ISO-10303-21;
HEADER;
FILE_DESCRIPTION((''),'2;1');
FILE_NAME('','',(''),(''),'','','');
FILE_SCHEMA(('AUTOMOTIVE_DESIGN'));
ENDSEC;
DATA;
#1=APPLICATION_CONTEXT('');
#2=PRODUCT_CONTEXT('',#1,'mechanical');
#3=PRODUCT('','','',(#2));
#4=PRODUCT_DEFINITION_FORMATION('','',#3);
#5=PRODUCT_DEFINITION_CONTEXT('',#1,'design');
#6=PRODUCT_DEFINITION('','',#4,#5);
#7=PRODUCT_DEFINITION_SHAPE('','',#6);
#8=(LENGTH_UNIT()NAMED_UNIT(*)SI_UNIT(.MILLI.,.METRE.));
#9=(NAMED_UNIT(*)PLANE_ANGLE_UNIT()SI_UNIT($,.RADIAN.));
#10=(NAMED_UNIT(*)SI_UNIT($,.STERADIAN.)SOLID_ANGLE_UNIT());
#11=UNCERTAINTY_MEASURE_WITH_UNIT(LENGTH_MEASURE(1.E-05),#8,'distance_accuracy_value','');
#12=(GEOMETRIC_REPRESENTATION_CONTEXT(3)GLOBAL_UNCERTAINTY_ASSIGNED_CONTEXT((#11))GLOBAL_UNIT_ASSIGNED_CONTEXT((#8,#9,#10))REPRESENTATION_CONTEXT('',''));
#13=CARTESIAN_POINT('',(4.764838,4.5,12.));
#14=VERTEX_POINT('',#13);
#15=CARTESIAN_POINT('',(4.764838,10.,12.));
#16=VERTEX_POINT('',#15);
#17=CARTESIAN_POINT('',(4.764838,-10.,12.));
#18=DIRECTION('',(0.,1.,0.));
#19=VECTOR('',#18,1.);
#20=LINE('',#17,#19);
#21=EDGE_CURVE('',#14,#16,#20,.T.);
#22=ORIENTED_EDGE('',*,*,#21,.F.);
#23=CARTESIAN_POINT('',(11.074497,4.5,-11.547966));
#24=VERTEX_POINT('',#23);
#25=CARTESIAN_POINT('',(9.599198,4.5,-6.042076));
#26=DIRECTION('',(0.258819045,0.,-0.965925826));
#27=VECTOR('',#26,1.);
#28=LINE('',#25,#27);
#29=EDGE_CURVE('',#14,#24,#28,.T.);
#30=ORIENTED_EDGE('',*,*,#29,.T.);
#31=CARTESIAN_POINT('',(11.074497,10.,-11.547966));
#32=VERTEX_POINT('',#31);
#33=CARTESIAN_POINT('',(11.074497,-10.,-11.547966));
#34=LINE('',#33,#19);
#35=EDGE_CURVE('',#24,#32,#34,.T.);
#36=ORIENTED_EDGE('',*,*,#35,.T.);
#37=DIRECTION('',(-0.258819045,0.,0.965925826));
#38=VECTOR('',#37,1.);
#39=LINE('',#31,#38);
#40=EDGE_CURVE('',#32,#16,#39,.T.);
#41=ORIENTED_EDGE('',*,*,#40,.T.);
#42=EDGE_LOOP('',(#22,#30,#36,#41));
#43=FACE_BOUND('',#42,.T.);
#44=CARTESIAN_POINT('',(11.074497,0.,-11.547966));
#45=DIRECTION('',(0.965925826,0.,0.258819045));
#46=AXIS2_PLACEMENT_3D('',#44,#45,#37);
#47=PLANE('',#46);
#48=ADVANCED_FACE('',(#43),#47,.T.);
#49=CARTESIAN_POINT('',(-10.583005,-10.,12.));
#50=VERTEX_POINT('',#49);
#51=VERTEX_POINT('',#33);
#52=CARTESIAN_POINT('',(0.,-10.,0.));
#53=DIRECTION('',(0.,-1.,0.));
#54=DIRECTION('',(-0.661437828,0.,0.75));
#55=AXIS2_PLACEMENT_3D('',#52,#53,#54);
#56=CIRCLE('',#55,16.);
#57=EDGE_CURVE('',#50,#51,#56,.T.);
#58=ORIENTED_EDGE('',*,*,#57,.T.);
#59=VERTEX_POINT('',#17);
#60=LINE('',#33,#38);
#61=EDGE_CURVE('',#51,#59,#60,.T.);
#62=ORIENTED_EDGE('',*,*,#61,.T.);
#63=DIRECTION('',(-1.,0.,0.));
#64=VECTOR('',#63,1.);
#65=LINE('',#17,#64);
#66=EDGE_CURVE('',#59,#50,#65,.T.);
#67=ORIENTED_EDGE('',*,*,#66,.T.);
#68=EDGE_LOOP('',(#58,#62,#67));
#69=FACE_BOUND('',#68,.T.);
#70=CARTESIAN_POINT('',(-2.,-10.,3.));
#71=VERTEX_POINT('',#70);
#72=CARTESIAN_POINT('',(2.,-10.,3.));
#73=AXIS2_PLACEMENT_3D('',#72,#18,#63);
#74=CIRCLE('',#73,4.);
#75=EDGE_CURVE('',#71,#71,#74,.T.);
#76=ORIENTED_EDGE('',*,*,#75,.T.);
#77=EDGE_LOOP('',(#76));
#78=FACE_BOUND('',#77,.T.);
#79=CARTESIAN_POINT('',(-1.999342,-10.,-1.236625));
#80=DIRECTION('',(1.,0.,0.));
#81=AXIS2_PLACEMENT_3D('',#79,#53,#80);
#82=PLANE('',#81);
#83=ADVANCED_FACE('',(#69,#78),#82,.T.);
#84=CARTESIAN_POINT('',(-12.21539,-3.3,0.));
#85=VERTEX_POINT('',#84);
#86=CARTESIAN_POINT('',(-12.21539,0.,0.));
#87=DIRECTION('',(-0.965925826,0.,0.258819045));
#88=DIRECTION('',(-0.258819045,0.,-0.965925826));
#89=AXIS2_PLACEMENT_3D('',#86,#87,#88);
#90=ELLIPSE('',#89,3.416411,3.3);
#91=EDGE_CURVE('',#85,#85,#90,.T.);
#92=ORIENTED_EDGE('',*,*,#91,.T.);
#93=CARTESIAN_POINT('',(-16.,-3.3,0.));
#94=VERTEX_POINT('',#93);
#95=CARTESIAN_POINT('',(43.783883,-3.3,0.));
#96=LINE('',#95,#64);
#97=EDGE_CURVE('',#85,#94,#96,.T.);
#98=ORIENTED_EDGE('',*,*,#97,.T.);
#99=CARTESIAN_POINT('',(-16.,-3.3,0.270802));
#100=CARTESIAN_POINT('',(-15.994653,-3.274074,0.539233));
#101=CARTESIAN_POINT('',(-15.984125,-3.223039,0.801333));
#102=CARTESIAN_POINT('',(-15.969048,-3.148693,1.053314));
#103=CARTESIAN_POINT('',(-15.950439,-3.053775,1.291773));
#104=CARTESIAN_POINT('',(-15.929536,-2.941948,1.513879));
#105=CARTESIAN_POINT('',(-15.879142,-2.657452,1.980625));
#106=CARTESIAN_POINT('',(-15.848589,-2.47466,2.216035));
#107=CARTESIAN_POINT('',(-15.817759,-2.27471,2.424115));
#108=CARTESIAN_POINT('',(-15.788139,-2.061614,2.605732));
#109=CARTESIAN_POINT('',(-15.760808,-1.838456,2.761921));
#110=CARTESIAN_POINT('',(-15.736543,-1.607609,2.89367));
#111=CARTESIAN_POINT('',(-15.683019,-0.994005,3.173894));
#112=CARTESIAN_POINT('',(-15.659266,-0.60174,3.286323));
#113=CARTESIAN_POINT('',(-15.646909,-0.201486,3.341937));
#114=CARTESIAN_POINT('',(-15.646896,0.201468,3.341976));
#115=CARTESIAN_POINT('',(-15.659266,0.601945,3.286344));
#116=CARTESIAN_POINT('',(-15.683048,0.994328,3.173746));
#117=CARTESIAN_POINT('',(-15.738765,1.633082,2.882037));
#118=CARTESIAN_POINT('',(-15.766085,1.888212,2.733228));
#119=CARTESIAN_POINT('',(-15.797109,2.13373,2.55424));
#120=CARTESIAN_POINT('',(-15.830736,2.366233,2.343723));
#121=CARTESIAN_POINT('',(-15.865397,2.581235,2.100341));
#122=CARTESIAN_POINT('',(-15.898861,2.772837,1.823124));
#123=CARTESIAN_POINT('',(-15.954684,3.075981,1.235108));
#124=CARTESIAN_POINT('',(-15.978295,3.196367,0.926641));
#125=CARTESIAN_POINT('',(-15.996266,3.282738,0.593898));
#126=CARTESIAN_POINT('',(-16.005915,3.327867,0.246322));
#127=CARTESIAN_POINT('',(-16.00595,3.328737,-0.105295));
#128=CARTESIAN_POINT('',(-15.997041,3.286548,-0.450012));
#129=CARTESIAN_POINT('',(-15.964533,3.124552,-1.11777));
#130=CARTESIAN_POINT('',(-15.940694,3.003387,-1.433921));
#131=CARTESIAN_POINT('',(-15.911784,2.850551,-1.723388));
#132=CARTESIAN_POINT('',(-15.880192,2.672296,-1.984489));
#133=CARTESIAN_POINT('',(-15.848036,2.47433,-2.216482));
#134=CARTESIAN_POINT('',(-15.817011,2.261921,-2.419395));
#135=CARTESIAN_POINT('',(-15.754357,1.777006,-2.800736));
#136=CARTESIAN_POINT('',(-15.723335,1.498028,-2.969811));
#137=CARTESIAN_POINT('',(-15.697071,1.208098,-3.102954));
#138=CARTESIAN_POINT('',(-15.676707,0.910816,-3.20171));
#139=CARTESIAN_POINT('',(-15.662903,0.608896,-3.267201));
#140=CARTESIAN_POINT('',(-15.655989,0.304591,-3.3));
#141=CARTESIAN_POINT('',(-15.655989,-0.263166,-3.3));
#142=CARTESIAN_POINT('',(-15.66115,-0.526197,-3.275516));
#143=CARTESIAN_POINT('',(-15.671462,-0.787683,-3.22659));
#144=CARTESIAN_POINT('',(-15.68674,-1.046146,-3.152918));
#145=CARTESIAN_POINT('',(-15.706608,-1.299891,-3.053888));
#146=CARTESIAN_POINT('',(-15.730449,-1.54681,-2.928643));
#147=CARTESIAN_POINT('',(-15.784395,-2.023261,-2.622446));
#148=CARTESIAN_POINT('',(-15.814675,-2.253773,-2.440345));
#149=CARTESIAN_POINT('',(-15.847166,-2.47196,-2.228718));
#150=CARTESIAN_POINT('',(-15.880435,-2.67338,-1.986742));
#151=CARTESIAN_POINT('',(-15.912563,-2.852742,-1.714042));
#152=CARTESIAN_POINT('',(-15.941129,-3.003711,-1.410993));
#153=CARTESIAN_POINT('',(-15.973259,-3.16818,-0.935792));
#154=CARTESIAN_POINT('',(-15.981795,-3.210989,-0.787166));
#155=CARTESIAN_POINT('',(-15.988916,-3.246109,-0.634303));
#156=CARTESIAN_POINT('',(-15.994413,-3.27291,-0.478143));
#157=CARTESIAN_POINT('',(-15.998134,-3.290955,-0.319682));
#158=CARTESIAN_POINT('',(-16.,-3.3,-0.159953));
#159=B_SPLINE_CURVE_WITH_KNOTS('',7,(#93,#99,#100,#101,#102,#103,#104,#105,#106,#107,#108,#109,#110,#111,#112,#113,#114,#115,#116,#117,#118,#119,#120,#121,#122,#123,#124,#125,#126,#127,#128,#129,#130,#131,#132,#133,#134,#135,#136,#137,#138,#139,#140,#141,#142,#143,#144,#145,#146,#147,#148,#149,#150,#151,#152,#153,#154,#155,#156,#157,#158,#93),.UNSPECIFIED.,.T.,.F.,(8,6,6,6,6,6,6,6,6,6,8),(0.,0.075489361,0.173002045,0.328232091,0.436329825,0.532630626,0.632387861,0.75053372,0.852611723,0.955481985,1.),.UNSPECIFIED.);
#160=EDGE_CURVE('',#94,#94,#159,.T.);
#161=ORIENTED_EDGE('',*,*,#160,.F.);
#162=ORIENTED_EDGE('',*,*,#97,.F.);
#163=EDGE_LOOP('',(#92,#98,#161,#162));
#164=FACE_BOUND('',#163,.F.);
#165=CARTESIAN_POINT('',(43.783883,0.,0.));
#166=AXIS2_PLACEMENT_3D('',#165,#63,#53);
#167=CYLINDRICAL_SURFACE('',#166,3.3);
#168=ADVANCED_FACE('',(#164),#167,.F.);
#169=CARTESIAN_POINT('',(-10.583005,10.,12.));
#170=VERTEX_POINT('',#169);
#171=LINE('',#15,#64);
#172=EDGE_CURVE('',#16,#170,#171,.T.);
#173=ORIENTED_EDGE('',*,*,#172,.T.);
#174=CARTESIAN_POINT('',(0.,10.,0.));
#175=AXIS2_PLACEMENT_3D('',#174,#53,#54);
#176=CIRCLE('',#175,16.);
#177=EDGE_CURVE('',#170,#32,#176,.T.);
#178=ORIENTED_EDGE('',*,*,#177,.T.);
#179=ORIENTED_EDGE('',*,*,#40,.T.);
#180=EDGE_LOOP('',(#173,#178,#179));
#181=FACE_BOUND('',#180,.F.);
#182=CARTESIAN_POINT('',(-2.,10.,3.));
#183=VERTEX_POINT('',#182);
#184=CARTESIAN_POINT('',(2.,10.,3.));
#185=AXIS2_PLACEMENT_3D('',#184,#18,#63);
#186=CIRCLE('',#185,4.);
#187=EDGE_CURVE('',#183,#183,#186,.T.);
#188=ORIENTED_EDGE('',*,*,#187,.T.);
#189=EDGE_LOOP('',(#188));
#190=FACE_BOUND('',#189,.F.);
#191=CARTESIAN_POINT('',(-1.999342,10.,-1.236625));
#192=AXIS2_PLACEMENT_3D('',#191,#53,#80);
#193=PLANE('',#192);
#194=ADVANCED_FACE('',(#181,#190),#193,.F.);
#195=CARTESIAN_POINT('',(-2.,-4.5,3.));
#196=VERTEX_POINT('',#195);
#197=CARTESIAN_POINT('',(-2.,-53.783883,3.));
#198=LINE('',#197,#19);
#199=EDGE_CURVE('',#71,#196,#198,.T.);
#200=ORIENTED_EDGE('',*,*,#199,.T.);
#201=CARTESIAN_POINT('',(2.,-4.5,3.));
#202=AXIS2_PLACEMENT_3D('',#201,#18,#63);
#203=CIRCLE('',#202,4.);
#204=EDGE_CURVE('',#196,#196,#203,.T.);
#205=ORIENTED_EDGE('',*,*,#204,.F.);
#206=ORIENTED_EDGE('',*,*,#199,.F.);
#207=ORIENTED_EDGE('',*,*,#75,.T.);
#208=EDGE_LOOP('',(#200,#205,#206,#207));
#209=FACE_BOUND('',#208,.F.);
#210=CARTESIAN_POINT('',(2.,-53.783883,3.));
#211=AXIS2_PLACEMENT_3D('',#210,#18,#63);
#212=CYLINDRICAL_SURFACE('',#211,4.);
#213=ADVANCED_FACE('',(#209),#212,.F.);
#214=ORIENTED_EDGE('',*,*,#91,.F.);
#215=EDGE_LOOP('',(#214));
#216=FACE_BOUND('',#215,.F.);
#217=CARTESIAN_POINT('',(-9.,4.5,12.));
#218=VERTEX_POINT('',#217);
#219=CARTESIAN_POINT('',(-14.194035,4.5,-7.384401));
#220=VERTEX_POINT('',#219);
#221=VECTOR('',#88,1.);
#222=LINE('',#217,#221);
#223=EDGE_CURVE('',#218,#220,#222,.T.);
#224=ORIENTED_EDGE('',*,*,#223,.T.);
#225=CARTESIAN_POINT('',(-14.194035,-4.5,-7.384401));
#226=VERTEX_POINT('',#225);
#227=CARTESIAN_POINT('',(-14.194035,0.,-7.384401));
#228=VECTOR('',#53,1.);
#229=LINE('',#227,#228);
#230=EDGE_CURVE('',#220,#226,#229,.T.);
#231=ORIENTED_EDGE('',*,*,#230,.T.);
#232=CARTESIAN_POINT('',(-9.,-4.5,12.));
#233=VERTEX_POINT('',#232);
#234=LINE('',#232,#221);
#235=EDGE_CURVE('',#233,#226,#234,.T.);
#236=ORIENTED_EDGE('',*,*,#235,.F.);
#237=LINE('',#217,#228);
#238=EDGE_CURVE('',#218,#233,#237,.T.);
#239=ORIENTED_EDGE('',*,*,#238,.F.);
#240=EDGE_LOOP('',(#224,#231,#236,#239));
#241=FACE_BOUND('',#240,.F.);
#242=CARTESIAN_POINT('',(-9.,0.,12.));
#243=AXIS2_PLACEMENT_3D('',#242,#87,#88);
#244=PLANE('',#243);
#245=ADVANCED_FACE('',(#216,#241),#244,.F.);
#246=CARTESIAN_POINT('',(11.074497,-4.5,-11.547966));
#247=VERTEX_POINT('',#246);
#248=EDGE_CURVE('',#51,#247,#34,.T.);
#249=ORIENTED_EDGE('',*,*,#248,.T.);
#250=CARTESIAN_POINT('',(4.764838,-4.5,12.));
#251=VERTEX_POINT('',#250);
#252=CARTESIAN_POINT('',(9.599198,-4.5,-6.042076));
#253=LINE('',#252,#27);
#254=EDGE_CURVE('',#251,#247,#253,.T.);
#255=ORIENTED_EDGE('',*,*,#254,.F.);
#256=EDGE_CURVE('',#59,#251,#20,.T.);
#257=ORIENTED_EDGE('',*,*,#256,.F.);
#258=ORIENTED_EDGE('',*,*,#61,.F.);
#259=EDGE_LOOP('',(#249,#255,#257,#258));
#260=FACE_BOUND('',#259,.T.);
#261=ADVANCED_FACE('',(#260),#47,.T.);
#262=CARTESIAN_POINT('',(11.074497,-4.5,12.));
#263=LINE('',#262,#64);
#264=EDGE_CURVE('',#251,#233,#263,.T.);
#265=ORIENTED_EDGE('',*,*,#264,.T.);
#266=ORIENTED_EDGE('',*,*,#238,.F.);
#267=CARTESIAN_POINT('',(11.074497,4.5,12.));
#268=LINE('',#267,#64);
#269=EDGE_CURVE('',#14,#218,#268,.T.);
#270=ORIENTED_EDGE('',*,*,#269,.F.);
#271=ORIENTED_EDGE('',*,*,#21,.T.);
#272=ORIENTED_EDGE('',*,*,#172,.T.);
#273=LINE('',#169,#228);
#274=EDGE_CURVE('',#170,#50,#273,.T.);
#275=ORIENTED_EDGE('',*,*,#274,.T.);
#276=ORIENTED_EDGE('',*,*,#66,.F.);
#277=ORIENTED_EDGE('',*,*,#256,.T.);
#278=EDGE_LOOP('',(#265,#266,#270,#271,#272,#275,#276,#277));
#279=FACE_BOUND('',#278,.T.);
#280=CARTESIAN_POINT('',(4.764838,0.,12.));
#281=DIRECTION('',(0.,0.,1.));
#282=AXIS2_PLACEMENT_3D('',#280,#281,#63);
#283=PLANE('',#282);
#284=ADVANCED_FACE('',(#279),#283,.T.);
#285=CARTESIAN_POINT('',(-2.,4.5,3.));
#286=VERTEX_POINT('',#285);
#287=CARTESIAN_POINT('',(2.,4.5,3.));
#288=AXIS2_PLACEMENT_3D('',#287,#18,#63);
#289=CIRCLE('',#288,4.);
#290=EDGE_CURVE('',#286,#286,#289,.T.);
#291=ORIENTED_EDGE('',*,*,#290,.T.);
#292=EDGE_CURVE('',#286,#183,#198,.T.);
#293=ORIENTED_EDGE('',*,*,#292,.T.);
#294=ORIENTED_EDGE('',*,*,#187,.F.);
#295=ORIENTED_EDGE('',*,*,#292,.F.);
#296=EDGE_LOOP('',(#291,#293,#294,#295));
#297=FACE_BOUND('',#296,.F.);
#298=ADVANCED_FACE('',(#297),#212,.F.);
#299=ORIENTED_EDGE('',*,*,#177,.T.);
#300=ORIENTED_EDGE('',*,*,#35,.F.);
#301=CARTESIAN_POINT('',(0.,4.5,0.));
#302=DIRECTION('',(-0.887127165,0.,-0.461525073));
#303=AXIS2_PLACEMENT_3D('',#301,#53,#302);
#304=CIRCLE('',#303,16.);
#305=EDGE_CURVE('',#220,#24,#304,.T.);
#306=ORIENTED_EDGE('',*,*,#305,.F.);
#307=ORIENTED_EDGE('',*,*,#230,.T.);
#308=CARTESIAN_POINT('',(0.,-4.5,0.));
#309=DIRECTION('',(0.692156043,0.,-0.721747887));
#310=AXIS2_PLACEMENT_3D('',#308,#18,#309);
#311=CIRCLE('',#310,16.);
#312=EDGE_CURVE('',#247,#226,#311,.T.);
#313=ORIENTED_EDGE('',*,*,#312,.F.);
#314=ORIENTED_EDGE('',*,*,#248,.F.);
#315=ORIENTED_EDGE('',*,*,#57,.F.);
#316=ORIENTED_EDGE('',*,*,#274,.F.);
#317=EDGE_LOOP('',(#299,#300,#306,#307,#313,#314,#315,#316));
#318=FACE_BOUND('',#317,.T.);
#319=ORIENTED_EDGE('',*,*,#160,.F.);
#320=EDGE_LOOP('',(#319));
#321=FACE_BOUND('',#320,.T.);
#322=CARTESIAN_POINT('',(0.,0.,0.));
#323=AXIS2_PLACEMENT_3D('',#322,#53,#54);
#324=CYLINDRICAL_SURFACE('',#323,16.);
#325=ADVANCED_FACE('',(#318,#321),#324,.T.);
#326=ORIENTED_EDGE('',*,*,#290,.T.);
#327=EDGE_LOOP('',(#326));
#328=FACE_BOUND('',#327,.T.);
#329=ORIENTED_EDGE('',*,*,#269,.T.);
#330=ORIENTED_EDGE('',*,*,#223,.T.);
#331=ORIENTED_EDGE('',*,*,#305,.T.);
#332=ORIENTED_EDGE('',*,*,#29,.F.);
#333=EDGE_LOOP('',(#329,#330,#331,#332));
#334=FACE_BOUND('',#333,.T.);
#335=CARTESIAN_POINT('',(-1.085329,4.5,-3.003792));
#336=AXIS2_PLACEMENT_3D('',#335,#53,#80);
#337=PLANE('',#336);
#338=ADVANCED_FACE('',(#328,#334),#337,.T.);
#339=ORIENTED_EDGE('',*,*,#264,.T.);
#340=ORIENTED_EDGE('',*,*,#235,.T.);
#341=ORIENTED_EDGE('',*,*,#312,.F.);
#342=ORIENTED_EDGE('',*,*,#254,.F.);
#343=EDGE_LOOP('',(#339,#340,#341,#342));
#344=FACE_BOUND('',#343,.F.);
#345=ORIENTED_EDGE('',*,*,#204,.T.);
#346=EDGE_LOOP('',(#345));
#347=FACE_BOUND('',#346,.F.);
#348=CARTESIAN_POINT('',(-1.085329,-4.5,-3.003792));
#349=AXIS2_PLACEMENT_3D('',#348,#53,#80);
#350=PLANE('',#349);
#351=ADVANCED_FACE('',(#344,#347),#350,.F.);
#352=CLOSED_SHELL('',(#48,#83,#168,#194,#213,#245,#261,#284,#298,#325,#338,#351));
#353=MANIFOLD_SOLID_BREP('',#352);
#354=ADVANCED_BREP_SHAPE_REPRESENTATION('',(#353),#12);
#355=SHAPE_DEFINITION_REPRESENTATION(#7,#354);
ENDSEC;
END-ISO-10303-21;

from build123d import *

# Parameters (mm, degrees)
F2_DEPTH = 10
F3_DEPTH = 4.5
F5_D     = 8
F7_D     = 6.6


with BuildPart() as f2:
    # F0 (on Front) → F2 (new body, symmetric)
    with BuildSketch(Plane.XZ):
        with BuildLine():
            Line((4.7648381702, 12), (-10.5830052443, 12))
            ThreePointArc((-10.5830052443, 12), (-11.7765474066, -10.831109416), (11.0744966927, -11.5479661847))
            Line((11.0744966927, -11.5479661847), (4.7648381702, 12))
        make_face()
    extrude(amount=F2_DEPTH, both=True)

    # F1 (on Front) → F3 (cut, symmetric)
    with BuildSketch(Plane.XZ):
        Polygon((11.0744966927, 12), (-9, 12), (-16.5025773881, -16), (11.0744966927, -16), align=None)
    extrude(amount=F3_DEPTH, both=True, mode=Mode.SUBTRACT)

    # F5 (through all)
    with Locations(Plane.XZ.offset(10)):
        with Locations((2, 3)):
            Hole(F5_D / 2)

    # F7 (through all)
    with Locations(Plane.YZ):
        with Locations((0, 0)):
            Hole(F7_D / 2)


solid = f2.part
